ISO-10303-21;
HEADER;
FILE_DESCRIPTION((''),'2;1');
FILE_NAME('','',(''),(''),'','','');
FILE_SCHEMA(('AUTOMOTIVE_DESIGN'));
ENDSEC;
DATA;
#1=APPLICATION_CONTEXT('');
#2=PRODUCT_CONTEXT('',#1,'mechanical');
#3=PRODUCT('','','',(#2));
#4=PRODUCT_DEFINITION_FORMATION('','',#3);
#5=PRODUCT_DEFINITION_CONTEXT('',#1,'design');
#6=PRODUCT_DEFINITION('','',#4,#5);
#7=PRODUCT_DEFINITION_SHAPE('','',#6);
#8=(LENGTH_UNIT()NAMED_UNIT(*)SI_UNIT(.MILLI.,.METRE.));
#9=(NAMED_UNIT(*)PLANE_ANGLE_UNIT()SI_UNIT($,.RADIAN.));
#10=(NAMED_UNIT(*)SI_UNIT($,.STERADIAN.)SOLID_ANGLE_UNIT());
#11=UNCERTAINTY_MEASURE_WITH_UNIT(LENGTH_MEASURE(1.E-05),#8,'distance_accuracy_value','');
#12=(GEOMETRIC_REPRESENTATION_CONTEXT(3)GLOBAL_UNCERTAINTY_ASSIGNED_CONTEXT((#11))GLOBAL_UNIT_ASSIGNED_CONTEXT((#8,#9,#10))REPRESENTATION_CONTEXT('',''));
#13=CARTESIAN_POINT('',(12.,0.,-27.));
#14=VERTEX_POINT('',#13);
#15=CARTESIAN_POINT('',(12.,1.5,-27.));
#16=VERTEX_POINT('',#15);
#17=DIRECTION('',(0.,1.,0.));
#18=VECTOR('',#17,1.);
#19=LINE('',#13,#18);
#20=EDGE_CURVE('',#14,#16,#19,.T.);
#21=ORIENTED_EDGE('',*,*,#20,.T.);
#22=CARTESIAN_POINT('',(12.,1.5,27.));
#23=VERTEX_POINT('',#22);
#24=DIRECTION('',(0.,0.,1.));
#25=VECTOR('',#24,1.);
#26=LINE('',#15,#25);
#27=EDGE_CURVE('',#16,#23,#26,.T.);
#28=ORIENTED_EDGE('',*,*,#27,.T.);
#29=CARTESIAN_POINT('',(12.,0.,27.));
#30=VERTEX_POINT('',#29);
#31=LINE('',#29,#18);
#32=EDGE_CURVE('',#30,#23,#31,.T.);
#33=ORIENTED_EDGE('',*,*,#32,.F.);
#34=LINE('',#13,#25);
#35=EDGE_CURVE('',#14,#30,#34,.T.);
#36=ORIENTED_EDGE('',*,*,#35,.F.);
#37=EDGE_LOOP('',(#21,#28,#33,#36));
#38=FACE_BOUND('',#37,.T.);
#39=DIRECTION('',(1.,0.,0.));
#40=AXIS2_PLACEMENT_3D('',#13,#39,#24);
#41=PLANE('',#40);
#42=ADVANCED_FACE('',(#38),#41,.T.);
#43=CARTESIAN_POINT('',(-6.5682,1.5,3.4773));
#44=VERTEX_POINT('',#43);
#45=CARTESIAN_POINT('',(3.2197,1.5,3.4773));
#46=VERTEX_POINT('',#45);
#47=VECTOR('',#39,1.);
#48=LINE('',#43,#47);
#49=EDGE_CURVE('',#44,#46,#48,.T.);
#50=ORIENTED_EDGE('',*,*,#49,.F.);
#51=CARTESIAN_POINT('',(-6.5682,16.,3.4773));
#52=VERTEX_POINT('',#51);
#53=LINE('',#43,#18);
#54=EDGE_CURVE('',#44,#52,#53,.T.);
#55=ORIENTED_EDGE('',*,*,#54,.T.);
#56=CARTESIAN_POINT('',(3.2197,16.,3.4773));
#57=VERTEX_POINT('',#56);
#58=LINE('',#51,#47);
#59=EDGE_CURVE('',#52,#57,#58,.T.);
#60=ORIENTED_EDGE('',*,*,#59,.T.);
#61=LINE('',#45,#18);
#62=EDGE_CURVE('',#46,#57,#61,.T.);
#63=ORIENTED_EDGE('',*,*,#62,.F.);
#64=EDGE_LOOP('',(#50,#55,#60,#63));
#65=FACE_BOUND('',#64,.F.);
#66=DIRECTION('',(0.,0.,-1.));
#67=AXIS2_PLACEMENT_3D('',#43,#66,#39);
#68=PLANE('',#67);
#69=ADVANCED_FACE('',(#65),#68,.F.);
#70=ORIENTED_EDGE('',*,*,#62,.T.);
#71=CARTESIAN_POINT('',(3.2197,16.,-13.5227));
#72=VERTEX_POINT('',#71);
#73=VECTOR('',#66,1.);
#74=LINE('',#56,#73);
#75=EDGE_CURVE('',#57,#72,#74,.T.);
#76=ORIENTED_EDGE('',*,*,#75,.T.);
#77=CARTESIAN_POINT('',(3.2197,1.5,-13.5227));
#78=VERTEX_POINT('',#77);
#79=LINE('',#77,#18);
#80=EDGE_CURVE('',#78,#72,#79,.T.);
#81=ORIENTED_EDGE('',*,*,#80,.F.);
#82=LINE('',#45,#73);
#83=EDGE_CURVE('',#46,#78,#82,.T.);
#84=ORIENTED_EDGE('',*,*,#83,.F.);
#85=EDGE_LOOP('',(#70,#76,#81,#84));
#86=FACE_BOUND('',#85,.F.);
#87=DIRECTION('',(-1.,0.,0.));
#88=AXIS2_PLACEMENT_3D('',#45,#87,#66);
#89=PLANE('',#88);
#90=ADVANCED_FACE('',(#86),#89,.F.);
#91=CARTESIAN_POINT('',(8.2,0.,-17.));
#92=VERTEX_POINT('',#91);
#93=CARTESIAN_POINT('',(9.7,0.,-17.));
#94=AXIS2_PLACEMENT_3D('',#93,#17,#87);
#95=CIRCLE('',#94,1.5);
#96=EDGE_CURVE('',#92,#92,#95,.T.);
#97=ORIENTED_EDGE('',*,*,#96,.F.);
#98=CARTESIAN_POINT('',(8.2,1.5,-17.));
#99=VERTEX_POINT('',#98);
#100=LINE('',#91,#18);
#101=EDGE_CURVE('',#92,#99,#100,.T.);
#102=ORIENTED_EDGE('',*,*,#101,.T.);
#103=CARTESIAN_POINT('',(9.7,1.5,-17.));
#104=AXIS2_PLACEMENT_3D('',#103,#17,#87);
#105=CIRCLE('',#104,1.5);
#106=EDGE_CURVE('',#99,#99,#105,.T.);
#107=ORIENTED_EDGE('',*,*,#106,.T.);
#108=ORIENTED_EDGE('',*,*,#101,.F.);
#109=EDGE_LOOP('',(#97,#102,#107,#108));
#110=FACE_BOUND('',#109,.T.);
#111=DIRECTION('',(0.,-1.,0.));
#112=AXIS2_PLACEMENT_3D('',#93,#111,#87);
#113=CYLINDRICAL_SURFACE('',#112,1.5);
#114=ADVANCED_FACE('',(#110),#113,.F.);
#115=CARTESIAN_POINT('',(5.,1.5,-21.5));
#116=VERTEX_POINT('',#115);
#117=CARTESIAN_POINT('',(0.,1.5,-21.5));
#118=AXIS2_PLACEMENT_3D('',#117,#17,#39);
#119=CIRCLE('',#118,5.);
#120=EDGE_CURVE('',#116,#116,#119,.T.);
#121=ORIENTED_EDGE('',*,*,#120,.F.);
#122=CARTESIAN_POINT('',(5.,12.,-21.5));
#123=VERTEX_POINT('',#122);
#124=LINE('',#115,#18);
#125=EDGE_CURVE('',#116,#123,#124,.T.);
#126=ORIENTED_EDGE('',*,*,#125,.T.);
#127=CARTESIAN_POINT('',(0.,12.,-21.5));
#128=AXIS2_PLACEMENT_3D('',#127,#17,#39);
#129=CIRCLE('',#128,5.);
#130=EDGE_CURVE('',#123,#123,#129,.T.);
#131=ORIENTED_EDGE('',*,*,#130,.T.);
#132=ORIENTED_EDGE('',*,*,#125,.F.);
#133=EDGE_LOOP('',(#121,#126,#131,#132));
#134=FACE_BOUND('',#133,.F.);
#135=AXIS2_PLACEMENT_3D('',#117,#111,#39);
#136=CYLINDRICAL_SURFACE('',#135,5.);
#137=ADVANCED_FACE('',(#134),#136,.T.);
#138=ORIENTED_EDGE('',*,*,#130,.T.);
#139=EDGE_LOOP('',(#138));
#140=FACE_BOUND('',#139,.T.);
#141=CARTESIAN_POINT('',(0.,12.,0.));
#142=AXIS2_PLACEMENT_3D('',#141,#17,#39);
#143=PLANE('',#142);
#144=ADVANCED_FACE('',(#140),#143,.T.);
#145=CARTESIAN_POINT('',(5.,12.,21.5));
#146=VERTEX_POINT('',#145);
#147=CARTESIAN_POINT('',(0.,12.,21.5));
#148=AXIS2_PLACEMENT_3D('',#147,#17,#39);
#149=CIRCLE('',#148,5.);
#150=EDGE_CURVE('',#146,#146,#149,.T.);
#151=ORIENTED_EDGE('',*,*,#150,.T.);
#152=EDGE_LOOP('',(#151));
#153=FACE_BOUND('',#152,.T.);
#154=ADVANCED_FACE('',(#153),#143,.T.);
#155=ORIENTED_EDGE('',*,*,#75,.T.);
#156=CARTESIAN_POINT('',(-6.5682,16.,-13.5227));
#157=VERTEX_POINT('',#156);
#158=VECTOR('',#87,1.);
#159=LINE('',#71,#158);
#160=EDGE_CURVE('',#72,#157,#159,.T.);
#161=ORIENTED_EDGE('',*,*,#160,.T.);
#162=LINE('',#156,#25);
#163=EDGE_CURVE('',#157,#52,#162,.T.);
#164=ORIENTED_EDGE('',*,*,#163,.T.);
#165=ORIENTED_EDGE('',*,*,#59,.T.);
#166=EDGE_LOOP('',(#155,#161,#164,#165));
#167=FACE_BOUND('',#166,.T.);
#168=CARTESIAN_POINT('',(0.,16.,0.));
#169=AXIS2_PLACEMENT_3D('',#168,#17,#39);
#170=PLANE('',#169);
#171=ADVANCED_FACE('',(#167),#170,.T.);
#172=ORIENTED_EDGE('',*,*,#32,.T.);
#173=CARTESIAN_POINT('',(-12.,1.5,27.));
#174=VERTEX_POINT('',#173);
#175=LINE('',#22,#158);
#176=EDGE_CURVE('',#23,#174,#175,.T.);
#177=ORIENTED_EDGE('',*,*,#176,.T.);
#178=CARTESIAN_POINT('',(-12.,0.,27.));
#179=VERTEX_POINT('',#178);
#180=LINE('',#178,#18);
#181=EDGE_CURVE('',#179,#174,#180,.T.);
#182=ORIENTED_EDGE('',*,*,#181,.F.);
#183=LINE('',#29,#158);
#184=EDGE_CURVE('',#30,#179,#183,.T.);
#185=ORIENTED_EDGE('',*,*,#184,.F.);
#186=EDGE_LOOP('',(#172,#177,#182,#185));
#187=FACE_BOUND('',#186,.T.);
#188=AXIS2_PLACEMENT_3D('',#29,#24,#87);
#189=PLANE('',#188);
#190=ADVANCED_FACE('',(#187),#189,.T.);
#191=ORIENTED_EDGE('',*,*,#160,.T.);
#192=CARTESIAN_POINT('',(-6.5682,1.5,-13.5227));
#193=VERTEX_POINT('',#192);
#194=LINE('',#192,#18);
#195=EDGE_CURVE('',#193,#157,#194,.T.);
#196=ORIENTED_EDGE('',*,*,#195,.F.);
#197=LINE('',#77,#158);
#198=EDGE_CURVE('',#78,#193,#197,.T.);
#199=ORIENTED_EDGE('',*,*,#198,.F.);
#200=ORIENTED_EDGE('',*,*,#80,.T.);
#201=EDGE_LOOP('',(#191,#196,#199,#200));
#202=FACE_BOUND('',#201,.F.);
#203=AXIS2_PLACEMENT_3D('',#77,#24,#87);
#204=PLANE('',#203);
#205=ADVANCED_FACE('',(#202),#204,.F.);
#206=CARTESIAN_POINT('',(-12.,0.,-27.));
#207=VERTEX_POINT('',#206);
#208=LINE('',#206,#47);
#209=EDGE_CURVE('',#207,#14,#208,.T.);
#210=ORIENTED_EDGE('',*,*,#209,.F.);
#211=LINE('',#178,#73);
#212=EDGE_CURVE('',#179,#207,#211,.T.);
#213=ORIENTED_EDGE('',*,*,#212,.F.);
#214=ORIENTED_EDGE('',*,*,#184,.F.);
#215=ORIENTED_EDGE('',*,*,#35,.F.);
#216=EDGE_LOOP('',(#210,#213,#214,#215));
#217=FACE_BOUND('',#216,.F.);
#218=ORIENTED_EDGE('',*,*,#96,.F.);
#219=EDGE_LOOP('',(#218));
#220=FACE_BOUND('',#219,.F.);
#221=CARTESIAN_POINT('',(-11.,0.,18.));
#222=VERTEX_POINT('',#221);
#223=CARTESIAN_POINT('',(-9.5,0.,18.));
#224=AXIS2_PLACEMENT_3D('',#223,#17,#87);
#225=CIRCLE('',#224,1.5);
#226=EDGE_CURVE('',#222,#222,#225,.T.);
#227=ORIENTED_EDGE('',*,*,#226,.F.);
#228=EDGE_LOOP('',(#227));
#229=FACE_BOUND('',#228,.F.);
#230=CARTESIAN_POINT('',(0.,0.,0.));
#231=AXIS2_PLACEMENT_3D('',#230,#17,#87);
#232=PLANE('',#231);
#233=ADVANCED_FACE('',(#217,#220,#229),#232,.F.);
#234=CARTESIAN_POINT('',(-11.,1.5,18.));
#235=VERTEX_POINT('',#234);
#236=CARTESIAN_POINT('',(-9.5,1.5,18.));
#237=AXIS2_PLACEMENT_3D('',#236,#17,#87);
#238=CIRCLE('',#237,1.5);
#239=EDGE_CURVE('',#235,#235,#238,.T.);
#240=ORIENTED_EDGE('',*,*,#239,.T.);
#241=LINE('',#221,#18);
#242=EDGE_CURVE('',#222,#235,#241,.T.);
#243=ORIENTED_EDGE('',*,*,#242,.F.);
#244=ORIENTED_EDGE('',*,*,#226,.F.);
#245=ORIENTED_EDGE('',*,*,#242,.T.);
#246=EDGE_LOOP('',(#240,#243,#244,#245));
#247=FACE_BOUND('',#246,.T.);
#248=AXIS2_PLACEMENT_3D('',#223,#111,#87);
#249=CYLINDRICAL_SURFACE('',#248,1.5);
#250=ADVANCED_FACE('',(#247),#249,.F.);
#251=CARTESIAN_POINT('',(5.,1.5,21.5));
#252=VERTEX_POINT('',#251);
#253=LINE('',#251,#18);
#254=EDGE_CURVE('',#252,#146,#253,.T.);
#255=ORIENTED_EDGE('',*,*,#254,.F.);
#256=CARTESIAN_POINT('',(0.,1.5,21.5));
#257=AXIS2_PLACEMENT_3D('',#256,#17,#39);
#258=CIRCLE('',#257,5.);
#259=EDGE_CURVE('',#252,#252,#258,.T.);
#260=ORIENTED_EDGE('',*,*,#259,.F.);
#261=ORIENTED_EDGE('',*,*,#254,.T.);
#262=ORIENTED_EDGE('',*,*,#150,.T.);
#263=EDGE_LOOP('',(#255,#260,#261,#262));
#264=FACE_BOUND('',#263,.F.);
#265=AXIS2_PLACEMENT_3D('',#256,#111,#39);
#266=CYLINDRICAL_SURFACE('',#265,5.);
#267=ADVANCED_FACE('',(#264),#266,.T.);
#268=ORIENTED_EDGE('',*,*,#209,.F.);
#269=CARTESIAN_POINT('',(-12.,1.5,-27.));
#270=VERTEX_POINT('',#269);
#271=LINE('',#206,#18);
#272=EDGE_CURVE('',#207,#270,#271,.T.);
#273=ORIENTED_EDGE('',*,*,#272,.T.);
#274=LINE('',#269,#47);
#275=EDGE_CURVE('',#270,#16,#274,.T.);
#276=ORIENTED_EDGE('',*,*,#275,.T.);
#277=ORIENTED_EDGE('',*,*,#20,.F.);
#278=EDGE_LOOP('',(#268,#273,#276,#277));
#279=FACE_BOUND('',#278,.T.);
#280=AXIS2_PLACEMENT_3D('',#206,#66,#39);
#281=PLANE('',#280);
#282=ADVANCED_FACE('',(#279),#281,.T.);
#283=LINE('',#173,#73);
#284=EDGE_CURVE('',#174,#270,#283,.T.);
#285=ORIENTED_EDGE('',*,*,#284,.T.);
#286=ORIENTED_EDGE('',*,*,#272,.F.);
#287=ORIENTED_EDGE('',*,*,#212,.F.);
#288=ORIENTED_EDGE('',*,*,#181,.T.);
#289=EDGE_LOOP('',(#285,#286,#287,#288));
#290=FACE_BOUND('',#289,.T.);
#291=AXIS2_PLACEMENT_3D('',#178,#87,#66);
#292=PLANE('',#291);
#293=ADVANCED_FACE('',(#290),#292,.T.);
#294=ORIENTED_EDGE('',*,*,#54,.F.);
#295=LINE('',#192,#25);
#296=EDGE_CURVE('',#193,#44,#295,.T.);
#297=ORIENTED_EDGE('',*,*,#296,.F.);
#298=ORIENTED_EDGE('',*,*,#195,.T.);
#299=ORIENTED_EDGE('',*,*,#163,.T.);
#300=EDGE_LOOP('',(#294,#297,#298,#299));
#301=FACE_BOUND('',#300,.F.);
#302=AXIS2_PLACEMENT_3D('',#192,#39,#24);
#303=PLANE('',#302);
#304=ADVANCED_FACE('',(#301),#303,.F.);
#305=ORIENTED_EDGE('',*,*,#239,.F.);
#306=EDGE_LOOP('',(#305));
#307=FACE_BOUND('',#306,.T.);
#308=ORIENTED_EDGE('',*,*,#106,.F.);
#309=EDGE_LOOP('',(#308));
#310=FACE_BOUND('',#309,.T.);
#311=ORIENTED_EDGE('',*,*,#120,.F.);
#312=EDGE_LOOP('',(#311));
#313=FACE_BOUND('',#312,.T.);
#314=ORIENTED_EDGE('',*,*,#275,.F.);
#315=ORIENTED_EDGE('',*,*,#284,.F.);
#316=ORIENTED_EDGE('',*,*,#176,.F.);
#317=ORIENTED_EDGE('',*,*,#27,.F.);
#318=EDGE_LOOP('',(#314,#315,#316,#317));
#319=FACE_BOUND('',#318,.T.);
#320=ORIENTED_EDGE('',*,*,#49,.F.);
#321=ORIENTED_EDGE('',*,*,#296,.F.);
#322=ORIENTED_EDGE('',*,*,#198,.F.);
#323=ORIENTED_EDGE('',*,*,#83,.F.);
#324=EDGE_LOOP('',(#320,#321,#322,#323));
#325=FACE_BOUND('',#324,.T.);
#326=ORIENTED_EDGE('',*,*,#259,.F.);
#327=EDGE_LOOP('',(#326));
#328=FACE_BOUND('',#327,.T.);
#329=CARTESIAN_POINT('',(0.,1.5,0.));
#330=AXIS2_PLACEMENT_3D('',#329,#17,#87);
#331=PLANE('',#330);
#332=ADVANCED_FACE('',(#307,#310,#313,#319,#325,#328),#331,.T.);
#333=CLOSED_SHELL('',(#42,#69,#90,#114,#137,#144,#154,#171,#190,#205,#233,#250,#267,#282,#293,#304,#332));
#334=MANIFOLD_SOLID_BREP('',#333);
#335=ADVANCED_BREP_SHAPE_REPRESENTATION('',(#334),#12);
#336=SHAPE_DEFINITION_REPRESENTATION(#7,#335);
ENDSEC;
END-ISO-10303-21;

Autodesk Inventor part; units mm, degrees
ref_plane "YZ Plane" through (0, 0, 0) normal (1, 0, 0) x (0, 1, 0)
ref_plane "XZ Plane" through (0, 0, 0) normal (0, 1, 0) x (-1, 0, 0)
ref_plane "XY Plane" through (0, 0, 0) normal (0, 0, 1) x (1, 0, 0)
sketch "스케치1" plane through (0, 0, 0) normal (0, 1, 0) x (-1, 0, 0)
  line L0 (-12, 27) -> (12, 27)
  line L1 (12, 27) -> (12, -27)
  line L2 (12, -27) -> (-12, -27)
  line L3 (-12, -27) -> (-12, 27)
  line L4 (-12, 27) -> (12, -27) construction
  line L5 (12, 27) -> (-12, -27) construction
  circle A0 centre (9.5, 18) radius 1.5
  circle A1 centre (-9.7, -17) radius 1.5
  point P0 (0, 0)
  dimension "d0" = 24
  dimension "d1" = 54
  dimension "d2" = 3
  dimension "d3" = 9
  dimension "d4" = 2.5
  dimension "d5" = 3
  dimension "d6" = 10
  dimension "d7" = 2.3
extrude "돌출1" add sketch "스케치1" along normal blind 1.5
sketch "스케치2" plane through (0, 1.5, 0) normal (0, 1, 0) x (1, 0, 0)
  circle A0 centre (0, -21.5) radius 5
  circle A1 centre (0, 21.5) radius 5
  line L0 (12, 27) -> (-12, 27) projected
  line L1 (-12, -27) -> (12, -27) projected
  point P0 (0, 0)
  dimension "d10" = 10
  dimension "d11" = 5.5
  dimension "d12" = 5.5
  dimension "d13" = 10
extrude "돌출2" add sketch "스케치2" along normal blind 10.5
sketch "스케치3" plane through (0, 1.5, 0) normal (0, 1, 0) x (1, 0, 0)
  line L0 (-6.5682, -3.4773) -> (3.2197, -3.4773)
  line L1 (3.2197, -3.4773) -> (3.2197, 13.5227)
  line L2 (3.2197, 13.5227) -> (-6.5682, 13.5227)
  line L3 (-6.5682, 13.5227) -> (-6.5682, -3.4773)
  line L4 (-6.5682, -3.4773) -> (3.2197, 13.5227) construction
  line L5 (3.2197, -3.4773) -> (-6.5682, 13.5227) construction
  point P0 (0, 0)
  point P1 (-1.6742, 5.0227)
  dimension "d16" = 17
extrude "돌출3" add sketch "스케치3" along normal blind 14.5
properties part number "스텝다운 컨버터"
